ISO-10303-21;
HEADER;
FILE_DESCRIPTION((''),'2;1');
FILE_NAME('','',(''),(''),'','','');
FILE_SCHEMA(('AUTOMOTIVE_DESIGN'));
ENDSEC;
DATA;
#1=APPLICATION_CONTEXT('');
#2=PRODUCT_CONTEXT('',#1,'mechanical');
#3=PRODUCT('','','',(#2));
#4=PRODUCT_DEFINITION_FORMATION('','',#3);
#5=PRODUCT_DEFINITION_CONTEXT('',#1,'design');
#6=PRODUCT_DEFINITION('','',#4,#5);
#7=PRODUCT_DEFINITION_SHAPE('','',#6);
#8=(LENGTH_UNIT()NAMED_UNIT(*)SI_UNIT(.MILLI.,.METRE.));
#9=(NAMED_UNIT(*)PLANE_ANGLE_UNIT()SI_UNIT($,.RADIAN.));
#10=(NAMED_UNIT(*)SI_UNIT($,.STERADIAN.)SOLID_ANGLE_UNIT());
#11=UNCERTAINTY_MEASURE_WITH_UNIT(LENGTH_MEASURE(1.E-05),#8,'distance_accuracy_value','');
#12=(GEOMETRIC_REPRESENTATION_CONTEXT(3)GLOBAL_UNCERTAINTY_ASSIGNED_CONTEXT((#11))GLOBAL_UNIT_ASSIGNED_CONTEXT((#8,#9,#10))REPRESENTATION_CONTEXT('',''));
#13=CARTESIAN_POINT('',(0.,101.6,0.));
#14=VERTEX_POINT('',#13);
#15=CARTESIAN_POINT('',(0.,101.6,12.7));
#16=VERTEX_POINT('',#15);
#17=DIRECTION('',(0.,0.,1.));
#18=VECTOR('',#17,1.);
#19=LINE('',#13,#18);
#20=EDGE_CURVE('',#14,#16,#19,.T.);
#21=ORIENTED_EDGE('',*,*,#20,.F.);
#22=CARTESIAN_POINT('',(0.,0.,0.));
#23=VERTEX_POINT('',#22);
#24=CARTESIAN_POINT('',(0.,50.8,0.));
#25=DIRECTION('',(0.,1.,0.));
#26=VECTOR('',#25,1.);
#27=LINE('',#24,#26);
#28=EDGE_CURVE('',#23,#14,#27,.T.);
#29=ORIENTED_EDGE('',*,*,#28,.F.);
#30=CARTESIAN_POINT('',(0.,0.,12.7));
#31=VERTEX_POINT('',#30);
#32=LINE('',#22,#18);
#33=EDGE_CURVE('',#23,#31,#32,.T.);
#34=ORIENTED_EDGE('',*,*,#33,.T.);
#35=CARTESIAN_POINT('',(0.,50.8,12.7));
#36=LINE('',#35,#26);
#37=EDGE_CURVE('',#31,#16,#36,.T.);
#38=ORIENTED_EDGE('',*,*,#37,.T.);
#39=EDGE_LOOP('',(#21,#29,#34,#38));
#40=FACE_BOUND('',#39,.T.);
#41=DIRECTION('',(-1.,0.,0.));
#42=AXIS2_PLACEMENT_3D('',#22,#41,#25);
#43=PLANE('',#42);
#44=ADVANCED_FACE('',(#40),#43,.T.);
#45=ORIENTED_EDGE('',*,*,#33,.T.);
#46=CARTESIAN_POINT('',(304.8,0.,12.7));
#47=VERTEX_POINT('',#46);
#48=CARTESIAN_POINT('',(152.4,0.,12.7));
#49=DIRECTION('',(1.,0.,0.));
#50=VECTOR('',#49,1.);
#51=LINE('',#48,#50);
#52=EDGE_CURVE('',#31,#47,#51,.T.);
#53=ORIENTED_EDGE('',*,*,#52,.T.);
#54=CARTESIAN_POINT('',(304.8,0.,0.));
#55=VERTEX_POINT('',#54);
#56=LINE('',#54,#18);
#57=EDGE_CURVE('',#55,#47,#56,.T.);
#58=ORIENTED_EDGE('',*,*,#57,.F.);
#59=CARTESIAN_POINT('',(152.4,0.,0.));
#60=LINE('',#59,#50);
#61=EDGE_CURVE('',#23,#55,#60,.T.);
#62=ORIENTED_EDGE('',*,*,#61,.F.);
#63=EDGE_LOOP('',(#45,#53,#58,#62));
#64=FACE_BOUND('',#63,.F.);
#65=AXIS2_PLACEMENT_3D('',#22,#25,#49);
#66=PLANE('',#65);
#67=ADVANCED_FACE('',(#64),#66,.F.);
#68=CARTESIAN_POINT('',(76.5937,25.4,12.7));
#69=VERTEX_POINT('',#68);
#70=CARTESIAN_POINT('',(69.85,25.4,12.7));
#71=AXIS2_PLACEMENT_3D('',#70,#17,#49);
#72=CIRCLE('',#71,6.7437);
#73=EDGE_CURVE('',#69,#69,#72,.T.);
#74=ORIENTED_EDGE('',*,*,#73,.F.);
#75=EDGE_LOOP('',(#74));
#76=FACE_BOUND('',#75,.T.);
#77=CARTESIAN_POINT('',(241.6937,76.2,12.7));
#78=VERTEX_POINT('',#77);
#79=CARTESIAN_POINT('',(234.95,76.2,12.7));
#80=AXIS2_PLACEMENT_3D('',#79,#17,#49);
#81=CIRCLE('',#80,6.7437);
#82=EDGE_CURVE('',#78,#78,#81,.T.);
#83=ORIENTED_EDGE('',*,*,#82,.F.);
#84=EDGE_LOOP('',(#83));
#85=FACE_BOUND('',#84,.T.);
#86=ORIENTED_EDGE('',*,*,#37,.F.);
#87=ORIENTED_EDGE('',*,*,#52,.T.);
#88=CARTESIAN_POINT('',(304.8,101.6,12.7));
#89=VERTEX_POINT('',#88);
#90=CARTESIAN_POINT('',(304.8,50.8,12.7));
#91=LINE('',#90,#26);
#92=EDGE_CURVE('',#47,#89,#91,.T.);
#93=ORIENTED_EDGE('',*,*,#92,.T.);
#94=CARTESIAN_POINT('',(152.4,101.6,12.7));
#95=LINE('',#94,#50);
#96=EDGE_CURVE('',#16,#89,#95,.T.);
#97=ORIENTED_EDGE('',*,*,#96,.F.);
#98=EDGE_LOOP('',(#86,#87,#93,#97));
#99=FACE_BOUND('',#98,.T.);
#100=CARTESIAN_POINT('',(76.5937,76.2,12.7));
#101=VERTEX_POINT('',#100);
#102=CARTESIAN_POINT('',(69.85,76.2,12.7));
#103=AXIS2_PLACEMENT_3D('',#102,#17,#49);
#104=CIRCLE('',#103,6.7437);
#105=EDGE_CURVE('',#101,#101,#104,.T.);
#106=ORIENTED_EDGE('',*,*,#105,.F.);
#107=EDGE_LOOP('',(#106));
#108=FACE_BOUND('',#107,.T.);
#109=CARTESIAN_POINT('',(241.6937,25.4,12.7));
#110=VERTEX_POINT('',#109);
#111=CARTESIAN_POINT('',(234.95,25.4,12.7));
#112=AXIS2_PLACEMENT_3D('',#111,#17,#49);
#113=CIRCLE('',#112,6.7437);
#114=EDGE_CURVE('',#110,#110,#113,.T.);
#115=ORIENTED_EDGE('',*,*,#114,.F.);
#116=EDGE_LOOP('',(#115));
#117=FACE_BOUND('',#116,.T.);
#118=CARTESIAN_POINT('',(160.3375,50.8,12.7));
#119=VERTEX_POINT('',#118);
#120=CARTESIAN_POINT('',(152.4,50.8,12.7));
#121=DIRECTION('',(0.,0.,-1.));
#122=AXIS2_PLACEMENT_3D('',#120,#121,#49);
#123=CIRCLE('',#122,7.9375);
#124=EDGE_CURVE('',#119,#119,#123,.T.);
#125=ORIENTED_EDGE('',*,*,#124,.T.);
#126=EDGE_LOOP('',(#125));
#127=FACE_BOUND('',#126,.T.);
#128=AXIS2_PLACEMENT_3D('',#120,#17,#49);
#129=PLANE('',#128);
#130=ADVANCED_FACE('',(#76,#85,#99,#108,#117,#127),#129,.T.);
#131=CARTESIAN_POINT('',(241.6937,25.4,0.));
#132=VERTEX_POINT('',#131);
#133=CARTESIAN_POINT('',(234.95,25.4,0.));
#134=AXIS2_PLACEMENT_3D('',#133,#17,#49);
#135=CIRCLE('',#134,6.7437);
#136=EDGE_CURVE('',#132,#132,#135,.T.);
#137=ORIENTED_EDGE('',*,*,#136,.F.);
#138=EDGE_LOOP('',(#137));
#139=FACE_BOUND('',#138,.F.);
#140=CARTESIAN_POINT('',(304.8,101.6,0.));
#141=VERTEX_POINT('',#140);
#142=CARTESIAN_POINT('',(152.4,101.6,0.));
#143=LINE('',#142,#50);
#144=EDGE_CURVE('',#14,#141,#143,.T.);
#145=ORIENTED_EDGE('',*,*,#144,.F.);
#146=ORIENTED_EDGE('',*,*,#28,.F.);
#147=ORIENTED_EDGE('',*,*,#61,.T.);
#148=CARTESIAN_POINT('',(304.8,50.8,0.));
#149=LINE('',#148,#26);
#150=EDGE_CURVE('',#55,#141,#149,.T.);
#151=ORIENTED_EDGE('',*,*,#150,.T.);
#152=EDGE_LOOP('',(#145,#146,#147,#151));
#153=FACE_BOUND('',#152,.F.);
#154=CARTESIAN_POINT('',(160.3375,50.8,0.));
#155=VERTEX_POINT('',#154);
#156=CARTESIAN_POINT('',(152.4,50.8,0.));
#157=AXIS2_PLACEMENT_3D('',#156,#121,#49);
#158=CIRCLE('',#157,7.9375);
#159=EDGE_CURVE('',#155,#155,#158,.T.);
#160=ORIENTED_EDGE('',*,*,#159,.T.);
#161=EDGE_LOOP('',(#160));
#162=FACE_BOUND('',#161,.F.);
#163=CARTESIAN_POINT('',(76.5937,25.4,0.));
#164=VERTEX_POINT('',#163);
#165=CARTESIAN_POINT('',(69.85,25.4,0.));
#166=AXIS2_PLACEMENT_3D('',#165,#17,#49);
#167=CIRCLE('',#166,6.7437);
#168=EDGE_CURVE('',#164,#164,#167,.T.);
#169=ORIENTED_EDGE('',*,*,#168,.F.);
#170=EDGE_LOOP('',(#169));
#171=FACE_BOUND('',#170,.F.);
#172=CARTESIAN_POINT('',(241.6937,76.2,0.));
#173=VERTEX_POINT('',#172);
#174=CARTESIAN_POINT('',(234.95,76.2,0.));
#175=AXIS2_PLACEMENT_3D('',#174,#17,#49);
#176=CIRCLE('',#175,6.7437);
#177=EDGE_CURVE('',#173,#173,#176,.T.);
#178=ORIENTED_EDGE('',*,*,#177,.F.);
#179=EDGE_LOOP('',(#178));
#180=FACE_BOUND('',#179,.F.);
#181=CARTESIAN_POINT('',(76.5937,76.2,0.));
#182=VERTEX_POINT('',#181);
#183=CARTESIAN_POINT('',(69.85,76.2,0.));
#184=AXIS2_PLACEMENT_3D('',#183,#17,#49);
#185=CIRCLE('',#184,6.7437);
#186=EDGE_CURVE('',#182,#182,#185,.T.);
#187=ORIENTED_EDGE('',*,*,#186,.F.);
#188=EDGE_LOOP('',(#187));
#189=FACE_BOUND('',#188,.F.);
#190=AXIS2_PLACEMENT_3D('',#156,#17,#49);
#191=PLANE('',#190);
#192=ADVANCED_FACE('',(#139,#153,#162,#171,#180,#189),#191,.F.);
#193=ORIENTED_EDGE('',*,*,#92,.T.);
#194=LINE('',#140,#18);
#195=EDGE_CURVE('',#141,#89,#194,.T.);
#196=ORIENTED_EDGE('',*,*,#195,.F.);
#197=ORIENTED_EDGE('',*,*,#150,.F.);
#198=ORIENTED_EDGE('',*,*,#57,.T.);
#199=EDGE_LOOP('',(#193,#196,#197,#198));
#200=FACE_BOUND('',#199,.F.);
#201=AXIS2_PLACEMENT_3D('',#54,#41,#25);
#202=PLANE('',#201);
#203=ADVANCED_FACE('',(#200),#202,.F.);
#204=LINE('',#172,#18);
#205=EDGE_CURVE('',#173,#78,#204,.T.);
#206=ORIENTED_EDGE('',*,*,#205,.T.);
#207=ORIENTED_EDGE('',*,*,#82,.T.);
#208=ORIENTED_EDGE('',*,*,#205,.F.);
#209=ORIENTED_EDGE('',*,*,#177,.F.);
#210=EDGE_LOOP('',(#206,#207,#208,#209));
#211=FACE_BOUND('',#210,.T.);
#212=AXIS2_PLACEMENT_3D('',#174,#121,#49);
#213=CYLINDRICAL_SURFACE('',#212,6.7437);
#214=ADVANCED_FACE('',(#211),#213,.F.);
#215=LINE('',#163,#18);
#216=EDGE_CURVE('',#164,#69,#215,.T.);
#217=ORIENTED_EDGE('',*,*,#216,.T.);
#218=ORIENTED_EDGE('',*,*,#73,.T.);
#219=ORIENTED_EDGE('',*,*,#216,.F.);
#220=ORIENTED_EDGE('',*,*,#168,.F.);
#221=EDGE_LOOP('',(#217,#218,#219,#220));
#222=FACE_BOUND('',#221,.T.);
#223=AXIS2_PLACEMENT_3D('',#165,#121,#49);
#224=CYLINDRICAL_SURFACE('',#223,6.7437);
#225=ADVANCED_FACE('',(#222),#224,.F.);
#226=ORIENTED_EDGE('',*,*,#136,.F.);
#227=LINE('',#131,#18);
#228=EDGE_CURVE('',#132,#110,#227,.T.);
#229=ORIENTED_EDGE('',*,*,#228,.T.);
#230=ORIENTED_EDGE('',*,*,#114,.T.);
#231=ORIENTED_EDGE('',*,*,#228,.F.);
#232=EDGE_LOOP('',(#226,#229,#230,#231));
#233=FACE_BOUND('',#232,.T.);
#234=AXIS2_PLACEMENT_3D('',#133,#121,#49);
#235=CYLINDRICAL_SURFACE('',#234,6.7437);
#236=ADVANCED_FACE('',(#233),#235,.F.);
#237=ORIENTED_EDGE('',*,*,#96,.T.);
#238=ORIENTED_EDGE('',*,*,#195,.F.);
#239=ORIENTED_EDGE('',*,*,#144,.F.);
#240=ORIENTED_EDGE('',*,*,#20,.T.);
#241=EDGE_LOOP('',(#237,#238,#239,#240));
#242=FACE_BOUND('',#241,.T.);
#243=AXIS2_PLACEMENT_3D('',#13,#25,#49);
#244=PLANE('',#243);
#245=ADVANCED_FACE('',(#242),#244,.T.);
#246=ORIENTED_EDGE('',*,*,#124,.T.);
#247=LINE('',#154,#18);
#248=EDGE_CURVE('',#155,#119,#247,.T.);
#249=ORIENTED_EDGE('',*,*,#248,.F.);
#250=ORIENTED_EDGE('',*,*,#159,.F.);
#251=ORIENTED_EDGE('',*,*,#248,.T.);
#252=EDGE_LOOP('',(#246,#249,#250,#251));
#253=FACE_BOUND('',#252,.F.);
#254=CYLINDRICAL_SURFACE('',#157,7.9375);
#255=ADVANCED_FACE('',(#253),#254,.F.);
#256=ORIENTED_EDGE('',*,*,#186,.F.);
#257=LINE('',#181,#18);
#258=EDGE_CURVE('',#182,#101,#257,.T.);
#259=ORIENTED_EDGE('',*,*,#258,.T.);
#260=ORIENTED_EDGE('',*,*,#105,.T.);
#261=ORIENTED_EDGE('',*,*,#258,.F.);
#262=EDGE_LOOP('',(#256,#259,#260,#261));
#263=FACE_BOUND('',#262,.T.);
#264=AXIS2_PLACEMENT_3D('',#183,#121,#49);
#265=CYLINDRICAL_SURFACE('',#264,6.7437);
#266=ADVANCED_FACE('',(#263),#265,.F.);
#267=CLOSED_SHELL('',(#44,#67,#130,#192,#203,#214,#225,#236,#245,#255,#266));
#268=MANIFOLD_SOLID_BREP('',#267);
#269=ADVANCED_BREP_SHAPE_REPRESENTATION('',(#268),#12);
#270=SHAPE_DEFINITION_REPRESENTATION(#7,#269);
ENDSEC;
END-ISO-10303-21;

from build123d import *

# Parameters (mm, degrees)
F0_W     = 304.8
F0_H     = 101.6
F0_R     = 6.7437
F1_DEPTH = 12.7
F2_R     = 7.9375
F3_DEPTH = 25.4


with BuildPart() as f1:
    # F0 (on Top) → F1 (new body)
    with BuildSketch(Plane.XY):
        with Locations((152.4, 50.8)):
            Rectangle(F0_W, F0_H)
        with Locations((69.85, 25.4)):
            Circle(F0_R, mode=Mode.SUBTRACT)
        with Locations((234.95, 25.4)):
            Circle(F0_R, mode=Mode.SUBTRACT)
        with Locations((69.85, 76.2)):
            Circle(F0_R, mode=Mode.SUBTRACT)
        with Locations((234.95, 76.2)):
            Circle(F0_R, mode=Mode.SUBTRACT)
    extrude(amount=F1_DEPTH)

    # F2 (on face) → F3 (cut)
    with BuildSketch(Plane(origin=(0, 0, 0), x_dir=(1, 0, 0), z_dir=(0, 0, -1))):
        with Locations((152.4, -50.8)):
            Circle(F2_R)
    extrude(amount=-F3_DEPTH, mode=Mode.SUBTRACT)


solid = f1.part
